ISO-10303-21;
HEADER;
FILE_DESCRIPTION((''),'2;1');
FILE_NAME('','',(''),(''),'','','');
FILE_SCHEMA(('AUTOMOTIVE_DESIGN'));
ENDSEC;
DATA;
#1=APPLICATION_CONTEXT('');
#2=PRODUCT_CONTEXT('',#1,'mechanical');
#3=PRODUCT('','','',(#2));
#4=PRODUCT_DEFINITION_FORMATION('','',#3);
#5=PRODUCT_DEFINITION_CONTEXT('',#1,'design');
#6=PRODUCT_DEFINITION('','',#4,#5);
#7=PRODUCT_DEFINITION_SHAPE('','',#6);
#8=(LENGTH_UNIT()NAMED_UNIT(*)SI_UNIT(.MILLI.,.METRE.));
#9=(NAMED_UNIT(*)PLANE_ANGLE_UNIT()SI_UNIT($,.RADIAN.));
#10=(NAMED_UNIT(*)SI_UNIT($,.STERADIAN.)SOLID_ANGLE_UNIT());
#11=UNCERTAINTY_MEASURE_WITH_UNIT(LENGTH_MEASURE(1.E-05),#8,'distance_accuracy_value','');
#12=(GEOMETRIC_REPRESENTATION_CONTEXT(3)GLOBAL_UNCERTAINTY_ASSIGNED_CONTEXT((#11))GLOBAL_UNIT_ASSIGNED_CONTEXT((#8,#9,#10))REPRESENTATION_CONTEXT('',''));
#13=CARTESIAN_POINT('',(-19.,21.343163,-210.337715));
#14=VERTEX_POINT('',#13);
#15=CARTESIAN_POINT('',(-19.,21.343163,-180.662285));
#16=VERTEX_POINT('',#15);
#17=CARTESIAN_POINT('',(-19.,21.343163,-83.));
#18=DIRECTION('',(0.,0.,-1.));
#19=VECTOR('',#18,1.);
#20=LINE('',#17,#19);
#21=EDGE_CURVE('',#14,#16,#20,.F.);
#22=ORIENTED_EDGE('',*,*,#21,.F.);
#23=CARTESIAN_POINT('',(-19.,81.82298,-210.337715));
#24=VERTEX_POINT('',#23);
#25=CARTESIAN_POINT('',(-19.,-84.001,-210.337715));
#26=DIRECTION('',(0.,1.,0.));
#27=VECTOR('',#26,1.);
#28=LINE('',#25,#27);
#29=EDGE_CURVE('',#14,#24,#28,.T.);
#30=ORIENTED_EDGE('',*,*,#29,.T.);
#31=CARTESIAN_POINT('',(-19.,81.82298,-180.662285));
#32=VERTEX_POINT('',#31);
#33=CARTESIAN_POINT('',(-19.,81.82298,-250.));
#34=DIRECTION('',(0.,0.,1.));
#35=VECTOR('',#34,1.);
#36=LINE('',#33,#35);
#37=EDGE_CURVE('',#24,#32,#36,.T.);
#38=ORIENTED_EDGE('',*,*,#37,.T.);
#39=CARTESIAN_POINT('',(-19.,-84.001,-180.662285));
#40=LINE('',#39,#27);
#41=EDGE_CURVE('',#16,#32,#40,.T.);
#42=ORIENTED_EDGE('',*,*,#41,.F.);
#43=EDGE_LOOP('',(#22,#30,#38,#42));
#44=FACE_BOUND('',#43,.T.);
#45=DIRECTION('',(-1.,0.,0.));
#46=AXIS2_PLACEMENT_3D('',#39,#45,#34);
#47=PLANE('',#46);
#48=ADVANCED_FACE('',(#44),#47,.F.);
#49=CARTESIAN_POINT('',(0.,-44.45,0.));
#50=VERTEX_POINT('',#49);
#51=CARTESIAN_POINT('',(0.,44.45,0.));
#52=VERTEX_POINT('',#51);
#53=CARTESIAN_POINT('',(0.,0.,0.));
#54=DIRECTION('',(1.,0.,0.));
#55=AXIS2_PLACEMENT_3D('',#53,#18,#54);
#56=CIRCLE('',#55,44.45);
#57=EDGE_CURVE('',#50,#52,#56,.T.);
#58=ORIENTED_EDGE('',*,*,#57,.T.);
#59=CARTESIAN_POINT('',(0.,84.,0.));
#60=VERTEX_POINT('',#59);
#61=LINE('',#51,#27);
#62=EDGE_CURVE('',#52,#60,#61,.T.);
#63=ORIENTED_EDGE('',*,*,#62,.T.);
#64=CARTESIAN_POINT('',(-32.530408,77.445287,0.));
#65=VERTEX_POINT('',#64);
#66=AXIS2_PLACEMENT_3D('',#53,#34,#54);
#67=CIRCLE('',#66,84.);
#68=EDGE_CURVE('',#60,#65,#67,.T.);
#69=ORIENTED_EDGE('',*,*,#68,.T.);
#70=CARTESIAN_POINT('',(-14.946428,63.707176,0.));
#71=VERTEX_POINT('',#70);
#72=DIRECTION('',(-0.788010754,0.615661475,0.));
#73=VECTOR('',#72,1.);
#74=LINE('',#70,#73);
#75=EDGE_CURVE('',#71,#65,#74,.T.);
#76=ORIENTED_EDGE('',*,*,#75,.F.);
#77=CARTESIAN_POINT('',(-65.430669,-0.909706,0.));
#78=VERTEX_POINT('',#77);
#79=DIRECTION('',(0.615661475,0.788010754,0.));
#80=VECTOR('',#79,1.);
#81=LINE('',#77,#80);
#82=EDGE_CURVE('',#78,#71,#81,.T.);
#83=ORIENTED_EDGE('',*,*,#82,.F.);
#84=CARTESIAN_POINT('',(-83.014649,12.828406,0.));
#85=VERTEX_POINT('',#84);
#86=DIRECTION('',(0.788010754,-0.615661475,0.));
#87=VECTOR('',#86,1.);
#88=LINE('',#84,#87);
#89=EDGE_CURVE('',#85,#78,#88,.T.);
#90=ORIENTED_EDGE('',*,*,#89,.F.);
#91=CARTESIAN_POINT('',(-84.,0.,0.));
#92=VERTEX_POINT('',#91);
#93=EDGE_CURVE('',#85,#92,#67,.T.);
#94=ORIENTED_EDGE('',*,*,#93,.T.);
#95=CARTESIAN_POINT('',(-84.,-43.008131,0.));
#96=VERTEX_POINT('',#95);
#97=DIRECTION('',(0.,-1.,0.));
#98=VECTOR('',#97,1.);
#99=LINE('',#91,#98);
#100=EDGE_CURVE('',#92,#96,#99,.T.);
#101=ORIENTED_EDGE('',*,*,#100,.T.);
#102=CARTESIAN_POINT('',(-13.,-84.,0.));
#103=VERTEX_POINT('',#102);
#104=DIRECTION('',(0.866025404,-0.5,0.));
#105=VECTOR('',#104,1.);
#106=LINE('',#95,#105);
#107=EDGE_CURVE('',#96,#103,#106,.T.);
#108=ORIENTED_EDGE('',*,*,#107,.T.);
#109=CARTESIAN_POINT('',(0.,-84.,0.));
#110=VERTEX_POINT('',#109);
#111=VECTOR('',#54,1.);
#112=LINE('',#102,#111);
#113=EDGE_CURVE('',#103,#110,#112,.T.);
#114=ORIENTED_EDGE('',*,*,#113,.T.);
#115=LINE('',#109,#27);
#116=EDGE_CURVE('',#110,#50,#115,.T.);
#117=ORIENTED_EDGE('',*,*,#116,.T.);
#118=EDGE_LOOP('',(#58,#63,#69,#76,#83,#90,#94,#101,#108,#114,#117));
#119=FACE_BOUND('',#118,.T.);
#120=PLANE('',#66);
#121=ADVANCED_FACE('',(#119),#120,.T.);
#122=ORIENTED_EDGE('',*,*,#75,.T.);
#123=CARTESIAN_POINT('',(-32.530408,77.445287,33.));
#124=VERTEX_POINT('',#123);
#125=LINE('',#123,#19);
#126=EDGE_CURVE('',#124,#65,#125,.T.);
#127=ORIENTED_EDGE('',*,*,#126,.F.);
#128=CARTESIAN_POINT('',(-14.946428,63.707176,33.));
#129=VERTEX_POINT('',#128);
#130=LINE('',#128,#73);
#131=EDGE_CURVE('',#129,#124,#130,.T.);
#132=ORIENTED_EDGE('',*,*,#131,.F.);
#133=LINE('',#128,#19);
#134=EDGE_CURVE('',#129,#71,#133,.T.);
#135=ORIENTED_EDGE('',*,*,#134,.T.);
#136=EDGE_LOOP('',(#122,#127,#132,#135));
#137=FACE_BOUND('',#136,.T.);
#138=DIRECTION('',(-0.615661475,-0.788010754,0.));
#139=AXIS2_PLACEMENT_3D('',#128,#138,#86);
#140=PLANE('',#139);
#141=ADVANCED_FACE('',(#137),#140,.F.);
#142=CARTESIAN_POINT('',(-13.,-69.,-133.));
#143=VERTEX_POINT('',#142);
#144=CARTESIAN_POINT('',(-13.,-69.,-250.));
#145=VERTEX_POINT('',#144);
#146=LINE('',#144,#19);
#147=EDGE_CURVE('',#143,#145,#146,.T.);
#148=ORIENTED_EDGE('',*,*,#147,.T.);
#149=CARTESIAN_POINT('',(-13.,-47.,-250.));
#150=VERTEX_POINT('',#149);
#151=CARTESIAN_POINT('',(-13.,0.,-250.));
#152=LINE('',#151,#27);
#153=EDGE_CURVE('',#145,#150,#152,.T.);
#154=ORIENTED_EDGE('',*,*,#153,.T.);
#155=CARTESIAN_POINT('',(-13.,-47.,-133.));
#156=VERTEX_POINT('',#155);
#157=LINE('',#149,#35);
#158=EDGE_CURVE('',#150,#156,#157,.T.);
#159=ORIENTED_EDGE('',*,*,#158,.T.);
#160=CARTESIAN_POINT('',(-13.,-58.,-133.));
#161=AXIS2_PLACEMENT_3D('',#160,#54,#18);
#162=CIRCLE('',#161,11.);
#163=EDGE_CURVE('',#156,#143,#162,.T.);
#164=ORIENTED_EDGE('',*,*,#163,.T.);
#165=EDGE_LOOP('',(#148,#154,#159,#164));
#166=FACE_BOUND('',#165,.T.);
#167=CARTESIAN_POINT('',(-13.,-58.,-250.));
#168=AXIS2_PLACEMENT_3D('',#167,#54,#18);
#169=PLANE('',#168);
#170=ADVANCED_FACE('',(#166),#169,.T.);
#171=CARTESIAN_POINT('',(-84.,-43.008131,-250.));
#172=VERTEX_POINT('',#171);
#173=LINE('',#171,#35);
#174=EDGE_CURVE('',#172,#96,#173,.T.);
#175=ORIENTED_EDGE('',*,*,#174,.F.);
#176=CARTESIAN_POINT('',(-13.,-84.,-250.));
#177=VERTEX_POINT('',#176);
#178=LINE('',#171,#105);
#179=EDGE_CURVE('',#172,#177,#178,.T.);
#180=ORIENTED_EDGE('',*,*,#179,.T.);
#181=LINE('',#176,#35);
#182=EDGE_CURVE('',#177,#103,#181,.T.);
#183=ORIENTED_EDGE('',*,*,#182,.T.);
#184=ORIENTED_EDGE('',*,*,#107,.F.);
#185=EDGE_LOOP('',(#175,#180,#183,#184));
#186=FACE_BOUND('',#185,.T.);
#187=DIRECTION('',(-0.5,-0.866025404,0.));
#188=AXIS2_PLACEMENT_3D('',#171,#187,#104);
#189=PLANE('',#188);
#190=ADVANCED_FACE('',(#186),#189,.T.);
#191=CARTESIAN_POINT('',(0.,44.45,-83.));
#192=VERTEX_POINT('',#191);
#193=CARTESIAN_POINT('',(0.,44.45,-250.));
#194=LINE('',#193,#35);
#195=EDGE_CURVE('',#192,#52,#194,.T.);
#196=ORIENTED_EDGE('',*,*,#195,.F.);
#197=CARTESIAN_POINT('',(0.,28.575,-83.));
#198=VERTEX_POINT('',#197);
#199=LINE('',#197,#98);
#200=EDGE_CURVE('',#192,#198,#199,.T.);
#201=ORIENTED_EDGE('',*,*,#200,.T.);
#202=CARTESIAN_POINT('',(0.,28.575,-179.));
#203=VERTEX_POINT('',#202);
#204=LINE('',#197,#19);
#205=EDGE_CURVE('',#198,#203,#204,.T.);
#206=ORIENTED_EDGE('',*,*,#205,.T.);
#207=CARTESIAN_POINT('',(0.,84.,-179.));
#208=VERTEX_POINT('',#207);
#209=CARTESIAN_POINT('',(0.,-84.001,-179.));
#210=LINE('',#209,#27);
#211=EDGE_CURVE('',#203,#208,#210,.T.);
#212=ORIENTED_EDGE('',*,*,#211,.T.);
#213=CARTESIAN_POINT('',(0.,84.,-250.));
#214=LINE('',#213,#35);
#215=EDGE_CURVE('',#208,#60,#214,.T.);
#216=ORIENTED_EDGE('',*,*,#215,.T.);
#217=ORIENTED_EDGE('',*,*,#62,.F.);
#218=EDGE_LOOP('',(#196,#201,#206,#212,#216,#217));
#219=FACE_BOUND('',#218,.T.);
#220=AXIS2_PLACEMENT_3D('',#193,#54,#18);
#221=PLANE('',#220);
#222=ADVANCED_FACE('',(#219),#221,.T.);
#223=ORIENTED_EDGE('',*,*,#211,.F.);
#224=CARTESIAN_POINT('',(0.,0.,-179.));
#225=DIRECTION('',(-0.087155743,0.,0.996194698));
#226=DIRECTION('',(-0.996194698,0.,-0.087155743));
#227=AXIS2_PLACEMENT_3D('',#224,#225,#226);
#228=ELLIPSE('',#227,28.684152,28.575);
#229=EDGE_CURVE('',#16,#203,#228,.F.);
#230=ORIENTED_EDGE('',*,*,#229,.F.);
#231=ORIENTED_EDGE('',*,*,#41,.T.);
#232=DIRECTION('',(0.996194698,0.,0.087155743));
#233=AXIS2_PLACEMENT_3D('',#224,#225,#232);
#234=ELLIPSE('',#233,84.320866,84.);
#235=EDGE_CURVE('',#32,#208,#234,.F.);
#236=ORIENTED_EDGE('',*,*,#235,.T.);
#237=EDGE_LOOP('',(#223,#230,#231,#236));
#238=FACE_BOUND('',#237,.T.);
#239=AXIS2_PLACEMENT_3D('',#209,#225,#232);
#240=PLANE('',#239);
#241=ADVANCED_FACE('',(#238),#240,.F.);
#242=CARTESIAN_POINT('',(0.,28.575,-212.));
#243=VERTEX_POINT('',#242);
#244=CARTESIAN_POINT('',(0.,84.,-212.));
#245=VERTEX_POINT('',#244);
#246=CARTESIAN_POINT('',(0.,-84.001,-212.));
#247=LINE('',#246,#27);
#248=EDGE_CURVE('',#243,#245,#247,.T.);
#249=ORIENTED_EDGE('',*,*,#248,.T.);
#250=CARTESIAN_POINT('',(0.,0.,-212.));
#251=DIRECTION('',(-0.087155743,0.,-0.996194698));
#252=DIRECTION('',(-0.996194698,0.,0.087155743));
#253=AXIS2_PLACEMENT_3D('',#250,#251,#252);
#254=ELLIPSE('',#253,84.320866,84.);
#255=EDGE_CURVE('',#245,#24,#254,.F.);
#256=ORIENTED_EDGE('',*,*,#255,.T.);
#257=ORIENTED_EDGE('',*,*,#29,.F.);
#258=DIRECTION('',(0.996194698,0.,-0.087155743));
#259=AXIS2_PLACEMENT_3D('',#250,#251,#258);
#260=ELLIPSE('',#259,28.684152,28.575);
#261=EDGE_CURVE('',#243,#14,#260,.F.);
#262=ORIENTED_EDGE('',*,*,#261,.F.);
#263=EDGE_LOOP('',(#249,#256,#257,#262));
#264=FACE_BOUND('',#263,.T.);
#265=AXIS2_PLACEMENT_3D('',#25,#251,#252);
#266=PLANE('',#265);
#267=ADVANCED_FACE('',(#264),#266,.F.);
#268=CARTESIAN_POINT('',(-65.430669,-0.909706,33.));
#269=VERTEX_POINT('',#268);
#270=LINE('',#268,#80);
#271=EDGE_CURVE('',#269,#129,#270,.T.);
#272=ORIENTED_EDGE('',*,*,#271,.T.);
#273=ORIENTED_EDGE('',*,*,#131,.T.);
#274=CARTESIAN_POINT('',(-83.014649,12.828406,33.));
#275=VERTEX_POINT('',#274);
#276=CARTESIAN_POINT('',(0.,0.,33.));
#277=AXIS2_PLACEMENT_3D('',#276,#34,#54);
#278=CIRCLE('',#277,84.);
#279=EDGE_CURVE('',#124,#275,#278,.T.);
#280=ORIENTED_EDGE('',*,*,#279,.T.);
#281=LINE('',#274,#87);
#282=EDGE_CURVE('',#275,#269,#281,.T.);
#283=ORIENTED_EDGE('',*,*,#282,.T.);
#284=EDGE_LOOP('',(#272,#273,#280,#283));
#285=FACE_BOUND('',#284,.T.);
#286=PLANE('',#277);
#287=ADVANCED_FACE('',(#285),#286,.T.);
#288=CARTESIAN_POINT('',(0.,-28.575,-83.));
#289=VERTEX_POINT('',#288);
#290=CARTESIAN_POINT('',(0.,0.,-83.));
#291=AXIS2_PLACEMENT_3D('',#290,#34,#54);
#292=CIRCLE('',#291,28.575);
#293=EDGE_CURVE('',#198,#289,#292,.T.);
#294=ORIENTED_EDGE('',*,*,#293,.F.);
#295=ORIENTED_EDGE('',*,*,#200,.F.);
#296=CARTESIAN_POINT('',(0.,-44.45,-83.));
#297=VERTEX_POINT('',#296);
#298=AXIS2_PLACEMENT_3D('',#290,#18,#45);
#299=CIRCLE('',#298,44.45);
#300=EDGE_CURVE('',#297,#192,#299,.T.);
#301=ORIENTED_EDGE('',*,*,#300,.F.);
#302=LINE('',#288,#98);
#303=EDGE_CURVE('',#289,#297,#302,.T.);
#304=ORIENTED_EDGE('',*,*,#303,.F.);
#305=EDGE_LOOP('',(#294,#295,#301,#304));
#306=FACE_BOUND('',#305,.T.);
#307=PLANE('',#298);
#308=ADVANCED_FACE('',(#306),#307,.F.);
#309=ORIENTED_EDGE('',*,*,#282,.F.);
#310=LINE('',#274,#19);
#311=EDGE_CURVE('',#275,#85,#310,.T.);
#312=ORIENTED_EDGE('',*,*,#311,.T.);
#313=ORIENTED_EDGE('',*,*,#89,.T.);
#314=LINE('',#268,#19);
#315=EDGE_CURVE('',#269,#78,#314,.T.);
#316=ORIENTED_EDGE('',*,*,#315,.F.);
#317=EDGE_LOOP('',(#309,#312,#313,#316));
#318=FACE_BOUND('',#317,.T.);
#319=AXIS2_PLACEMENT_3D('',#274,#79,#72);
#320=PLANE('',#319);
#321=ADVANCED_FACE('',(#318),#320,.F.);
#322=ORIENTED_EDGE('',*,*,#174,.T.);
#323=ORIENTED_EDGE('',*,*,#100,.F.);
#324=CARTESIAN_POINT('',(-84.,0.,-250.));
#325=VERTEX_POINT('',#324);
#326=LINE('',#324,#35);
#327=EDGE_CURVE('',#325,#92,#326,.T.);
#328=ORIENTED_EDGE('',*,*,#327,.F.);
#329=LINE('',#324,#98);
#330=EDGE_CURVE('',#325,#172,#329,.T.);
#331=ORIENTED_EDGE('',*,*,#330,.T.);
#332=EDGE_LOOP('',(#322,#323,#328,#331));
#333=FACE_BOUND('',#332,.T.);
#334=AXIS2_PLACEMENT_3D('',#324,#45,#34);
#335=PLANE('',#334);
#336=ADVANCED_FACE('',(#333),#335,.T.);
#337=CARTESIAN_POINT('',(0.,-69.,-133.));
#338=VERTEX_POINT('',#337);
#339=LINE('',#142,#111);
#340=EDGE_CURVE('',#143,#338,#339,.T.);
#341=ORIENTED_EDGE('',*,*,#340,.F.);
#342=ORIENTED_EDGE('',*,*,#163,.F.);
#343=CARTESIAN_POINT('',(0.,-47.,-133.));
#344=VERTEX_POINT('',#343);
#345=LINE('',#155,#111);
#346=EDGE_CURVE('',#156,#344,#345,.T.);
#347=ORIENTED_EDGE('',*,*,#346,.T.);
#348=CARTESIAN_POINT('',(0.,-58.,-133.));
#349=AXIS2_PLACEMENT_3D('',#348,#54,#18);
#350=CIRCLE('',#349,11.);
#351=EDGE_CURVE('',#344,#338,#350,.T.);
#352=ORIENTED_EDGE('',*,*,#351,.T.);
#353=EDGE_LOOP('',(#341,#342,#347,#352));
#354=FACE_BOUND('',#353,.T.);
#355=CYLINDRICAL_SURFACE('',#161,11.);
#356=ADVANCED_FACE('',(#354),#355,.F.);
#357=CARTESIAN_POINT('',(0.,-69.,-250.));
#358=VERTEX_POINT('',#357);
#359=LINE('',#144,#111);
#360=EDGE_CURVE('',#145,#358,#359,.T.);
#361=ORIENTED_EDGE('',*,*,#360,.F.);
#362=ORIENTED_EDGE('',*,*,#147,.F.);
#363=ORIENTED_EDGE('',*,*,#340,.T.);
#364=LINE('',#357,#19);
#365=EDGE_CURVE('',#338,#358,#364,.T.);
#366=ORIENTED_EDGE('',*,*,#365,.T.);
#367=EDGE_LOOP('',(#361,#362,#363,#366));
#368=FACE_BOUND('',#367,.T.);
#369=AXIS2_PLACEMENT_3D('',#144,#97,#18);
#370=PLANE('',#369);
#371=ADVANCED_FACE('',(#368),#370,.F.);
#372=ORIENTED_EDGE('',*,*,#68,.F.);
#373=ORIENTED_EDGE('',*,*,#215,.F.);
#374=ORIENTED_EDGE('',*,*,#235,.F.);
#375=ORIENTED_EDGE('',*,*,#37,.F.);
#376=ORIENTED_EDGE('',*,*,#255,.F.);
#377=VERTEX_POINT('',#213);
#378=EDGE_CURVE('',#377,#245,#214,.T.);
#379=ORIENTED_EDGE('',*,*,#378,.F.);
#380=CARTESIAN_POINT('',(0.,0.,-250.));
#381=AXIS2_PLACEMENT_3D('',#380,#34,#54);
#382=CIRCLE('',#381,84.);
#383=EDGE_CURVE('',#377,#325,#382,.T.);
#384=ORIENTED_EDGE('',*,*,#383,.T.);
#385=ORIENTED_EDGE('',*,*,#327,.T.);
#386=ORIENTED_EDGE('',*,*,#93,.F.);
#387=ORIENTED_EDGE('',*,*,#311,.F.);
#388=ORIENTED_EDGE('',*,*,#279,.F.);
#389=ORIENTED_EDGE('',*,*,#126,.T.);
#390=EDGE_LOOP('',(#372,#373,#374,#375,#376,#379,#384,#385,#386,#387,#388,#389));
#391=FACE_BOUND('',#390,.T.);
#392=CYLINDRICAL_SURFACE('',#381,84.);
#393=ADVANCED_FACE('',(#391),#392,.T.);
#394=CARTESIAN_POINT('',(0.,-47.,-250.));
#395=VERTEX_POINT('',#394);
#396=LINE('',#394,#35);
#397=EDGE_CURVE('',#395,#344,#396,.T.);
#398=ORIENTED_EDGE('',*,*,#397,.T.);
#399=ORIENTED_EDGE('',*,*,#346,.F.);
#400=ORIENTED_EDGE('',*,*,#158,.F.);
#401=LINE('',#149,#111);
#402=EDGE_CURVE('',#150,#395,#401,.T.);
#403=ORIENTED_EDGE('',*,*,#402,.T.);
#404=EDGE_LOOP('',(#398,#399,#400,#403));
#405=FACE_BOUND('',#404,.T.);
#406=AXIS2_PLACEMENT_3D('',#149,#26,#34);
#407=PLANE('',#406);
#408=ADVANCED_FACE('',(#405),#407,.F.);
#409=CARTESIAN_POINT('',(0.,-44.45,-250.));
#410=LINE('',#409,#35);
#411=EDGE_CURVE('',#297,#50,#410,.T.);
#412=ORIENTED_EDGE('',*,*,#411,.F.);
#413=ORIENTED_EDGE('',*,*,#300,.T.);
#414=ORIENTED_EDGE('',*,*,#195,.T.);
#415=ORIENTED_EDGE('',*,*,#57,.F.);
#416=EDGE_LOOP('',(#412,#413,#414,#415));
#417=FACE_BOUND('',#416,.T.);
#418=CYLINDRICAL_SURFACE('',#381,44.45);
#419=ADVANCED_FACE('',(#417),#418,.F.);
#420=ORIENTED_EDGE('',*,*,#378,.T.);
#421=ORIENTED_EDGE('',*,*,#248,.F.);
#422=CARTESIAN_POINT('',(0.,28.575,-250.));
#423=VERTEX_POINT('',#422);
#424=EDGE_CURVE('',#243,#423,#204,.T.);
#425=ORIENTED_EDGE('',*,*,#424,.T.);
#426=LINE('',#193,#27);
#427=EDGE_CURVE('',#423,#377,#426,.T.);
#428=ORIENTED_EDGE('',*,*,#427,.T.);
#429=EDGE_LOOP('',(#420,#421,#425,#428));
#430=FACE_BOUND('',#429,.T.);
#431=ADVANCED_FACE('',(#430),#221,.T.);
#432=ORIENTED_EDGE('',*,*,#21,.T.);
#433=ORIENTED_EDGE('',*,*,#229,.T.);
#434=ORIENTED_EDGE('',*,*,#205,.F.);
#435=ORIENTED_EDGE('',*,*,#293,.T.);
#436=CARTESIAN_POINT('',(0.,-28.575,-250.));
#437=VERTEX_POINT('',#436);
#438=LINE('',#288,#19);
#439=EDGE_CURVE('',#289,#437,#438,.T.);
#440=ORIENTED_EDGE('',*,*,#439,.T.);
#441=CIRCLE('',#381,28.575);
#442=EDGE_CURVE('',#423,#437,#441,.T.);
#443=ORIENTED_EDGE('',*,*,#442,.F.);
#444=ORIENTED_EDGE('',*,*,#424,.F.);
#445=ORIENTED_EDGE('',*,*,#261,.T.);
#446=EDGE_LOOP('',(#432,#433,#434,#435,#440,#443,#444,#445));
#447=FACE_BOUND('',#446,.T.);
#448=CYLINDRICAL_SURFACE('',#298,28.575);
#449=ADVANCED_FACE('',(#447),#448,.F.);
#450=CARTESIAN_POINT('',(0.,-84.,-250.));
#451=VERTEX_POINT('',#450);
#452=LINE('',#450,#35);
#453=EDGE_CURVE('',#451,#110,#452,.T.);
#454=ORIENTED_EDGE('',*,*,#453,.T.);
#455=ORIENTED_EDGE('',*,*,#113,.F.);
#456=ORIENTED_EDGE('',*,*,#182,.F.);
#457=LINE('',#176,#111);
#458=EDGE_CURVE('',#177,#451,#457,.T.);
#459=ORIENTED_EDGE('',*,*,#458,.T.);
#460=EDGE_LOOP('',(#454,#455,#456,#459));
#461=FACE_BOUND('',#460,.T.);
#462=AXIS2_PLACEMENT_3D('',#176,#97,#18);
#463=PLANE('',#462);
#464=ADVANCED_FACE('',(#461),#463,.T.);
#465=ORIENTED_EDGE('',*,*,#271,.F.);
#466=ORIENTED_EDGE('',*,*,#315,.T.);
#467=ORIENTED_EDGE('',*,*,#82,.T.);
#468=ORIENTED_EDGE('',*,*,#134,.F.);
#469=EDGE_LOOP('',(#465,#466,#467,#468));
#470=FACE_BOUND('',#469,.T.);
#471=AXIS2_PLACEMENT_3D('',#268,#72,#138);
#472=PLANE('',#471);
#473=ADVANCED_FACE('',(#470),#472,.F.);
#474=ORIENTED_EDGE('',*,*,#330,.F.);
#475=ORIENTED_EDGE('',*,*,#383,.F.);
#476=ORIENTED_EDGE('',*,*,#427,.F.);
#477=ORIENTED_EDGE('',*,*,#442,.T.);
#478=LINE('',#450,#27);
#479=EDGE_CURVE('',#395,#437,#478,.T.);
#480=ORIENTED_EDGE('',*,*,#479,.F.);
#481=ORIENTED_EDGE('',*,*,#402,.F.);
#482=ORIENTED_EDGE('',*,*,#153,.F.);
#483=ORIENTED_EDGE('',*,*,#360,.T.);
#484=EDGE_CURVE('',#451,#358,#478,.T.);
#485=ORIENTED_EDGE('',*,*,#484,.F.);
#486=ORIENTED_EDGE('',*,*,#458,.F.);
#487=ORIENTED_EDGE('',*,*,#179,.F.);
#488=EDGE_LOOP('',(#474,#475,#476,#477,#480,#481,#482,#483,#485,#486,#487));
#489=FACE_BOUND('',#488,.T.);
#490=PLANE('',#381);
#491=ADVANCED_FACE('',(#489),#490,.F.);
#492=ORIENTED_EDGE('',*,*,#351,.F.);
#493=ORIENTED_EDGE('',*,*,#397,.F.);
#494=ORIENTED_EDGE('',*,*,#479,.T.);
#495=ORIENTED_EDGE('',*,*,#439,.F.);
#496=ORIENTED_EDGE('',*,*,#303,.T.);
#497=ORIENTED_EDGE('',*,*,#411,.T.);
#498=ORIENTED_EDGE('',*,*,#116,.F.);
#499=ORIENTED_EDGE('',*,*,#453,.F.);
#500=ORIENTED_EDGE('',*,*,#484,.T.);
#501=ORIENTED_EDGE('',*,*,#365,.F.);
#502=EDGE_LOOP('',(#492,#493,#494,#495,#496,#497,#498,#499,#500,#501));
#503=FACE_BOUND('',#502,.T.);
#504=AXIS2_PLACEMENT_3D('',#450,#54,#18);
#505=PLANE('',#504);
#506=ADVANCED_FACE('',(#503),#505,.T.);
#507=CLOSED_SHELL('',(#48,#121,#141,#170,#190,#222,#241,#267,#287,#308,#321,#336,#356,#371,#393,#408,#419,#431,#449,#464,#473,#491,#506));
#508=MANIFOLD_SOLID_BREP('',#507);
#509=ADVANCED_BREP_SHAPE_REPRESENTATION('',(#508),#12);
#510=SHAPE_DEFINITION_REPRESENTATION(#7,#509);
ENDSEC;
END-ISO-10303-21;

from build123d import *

# Parameters (mm, degrees)
BOSS_EXTRUDE1_DEPTH     = 250
BOSS_EXTRUDE2_START     = -167
BOSS_EXTRUDE2_DEPTH     = 167
CUT_EXTRUDE1_REACH      = 314.698
CUT_EXTRUDE1_END_RADIUS = 28.575
BOSS_EXTRUDE3_START     = 33
BOSS_EXTRUDE3_DEPTH     = 33
CUT_EXTRUDE2_DEPTH      = 13


with BuildPart() as part:
    # Sketch1 → Boss-Extrude1 (new body)
    with BuildSketch(Plane.XY):
        with BuildLine():
            Line((-84, 0), (-84, -43.008130888))
            Line((-84, -43.008130888), (-13, -84))
            Line((-13, -84), (0, -84))
            Line((0, -84), (0, -44.45))
            ThreePointArc((0, -44.45), (-44.45, 0), (0, 44.45))
            Line((0, 44.45), (0, 84))
            ThreePointArc((0, 84), (-59.39696962, 59.39696962), (-84, 0))
        make_face()
    extrude(amount=-BOSS_EXTRUDE1_DEPTH)

    # Sketch2 → Boss-Extrude2 (add)
    with BuildSketch(Plane(origin=(0, 0, -250), x_dir=(-1, 0, 0), z_dir=(0, 0, -1)).offset(BOSS_EXTRUDE2_START)):
        with BuildLine():
            Line((0, 28.575), (0, 44.45))
            ThreePointArc((0, 44.45), (44.45, 0), (0, -44.45))
            Line((0, -44.45), (0, -28.575))
            ThreePointArc((0, -28.575), (28.575, 0), (0, 28.575))
        make_face()
    extrude(amount=BOSS_EXTRUDE2_DEPTH)

    # Cut-Extrude1: up to this cylinder (the profile starts outside it)
    cut_extrude1_end = Plane(origin=(0, 0, -195.5), z_dir=(0, 0, -1)) * Cylinder(CUT_EXTRUDE1_END_RADIUS, 687.546, mode=Mode.PRIVATE)
    # Sketch3 → Cut-Extrude1 (cut, up to the surface)
    with BuildSketch(Plane(origin=(0, 84, 0), x_dir=(1, 0, 0), z_dir=(0, 1, 0)), mode=Mode.PRIVATE) as cut_extrude1_sk1:
        Polygon((0, 179), (0, 212), (-19, 210.337715393), (-19, 180.662284607), align=None)
    cut_extrude1_tool1 = extrude(cut_extrude1_sk1.sketch, amount=-CUT_EXTRUDE1_REACH, mode=Mode.PRIVATE) - cut_extrude1_end
    add(cut_extrude1_tool1.solids().sort_by_distance((-9.332027, 84, -195.5))[0], mode=Mode.SUBTRACT)

    # Sketch4 → Boss-Extrude3 (add)
    with BuildSketch(Plane.XY.offset(BOSS_EXTRUDE3_START)):
        with BuildLine():
            Line((-83.014649379, 12.828405531), (-65.430668922, -0.909705656))
            Line((-65.430668922, -0.909705656), (-14.946427946, 63.707176139))
            Line((-14.946427946, 63.707176139), (-32.530408402, 77.445287327))
            ThreePointArc((-32.530408402, 77.445287327), (-66.192903303, 51.715563927), (-83.014649379, 12.828405531))
        make_face()
    extrude(amount=-BOSS_EXTRUDE3_DEPTH)

    # Sketch5 → Cut-Extrude2 (cut)
    with BuildSketch(Plane(origin=(0, 0, 0), x_dir=(0, 0, -1), z_dir=(1, 0, 0))):
        with BuildLine():
            Line((250, -69), (133, -69))
            ThreePointArc((133, -69), (122, -58), (133, -47))
            Line((133, -47), (250, -47))
            ThreePointArc((250, -47), (261, -58), (250, -69))
        make_face()
    extrude(amount=-CUT_EXTRUDE2_DEPTH, mode=Mode.SUBTRACT)


solid = part.part
